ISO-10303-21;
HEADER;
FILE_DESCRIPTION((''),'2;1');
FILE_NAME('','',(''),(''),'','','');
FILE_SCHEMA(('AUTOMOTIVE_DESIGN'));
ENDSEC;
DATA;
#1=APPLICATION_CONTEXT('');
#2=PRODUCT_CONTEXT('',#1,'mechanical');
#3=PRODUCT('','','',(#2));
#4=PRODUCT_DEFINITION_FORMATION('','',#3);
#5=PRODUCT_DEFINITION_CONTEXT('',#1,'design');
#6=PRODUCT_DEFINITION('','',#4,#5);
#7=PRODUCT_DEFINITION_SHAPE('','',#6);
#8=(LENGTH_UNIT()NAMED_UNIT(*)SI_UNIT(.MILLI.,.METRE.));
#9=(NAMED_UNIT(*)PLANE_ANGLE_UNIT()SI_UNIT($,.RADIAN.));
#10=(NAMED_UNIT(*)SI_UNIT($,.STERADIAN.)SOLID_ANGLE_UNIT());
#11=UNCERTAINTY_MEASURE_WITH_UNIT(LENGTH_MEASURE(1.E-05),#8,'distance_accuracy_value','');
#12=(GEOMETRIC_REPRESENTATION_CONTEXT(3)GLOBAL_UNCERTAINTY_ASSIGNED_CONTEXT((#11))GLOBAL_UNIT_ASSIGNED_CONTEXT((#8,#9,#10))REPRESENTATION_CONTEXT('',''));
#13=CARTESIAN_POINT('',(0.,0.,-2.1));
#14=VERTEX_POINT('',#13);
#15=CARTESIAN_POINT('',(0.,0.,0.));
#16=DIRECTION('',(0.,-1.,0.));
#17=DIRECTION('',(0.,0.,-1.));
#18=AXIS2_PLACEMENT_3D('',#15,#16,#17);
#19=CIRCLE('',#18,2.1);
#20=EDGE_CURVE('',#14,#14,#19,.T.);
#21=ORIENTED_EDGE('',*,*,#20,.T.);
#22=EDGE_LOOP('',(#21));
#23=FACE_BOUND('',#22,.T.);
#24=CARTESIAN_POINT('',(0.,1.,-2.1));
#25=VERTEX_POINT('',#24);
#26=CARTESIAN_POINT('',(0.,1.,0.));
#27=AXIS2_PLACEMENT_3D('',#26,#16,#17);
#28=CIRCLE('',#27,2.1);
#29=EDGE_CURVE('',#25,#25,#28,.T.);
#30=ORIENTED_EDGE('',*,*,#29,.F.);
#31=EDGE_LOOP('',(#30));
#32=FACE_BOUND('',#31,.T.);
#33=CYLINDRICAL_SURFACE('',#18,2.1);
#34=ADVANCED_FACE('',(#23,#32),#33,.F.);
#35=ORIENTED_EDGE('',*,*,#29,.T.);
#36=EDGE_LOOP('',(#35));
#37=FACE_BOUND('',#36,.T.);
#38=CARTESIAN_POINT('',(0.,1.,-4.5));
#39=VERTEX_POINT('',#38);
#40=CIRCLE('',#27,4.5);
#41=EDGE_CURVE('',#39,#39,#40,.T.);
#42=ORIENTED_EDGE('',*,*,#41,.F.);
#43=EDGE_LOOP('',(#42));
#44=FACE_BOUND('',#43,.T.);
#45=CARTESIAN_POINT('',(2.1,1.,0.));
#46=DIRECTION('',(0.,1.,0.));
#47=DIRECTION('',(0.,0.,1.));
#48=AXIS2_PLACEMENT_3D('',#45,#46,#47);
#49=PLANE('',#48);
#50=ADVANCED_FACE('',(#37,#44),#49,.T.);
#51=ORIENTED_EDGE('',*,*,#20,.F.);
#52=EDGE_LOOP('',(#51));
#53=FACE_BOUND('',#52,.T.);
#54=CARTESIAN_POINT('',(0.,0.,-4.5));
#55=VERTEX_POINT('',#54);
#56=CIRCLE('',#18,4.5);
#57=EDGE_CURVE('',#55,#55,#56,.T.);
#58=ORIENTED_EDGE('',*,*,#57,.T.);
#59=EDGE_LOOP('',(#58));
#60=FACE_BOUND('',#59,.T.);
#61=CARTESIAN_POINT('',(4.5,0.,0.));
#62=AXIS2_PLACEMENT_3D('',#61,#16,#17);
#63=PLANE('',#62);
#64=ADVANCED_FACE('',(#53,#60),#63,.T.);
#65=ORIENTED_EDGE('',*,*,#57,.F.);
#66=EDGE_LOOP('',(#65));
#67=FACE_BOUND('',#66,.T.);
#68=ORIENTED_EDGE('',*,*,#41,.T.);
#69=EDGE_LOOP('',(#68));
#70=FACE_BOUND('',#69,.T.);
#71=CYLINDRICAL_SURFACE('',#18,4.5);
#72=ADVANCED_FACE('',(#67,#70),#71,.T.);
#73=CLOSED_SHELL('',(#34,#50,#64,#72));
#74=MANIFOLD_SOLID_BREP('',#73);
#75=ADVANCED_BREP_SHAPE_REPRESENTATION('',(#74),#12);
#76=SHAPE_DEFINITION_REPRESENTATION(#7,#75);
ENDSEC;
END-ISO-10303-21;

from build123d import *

# Parameters (mm, degrees)
SKETCH_1_W = 2.4
SKETCH_1_H = 1


with BuildPart() as part:
    # Эскиз1 → Повернуть1 (revolve)
    with BuildSketch(Plane.XY, mode=Mode.PRIVATE) as revolve_1_sk:
        with Locations((3.3, 0.5)):
            Rectangle(SKETCH_1_W, SKETCH_1_H)
    revolve(revolve_1_sk.sketch.rotate(Axis((0, 0, 0), (0, 1, 0)), 90), axis=Axis((0, 0, 0), (0, 1, 0)))


solid = part.part
